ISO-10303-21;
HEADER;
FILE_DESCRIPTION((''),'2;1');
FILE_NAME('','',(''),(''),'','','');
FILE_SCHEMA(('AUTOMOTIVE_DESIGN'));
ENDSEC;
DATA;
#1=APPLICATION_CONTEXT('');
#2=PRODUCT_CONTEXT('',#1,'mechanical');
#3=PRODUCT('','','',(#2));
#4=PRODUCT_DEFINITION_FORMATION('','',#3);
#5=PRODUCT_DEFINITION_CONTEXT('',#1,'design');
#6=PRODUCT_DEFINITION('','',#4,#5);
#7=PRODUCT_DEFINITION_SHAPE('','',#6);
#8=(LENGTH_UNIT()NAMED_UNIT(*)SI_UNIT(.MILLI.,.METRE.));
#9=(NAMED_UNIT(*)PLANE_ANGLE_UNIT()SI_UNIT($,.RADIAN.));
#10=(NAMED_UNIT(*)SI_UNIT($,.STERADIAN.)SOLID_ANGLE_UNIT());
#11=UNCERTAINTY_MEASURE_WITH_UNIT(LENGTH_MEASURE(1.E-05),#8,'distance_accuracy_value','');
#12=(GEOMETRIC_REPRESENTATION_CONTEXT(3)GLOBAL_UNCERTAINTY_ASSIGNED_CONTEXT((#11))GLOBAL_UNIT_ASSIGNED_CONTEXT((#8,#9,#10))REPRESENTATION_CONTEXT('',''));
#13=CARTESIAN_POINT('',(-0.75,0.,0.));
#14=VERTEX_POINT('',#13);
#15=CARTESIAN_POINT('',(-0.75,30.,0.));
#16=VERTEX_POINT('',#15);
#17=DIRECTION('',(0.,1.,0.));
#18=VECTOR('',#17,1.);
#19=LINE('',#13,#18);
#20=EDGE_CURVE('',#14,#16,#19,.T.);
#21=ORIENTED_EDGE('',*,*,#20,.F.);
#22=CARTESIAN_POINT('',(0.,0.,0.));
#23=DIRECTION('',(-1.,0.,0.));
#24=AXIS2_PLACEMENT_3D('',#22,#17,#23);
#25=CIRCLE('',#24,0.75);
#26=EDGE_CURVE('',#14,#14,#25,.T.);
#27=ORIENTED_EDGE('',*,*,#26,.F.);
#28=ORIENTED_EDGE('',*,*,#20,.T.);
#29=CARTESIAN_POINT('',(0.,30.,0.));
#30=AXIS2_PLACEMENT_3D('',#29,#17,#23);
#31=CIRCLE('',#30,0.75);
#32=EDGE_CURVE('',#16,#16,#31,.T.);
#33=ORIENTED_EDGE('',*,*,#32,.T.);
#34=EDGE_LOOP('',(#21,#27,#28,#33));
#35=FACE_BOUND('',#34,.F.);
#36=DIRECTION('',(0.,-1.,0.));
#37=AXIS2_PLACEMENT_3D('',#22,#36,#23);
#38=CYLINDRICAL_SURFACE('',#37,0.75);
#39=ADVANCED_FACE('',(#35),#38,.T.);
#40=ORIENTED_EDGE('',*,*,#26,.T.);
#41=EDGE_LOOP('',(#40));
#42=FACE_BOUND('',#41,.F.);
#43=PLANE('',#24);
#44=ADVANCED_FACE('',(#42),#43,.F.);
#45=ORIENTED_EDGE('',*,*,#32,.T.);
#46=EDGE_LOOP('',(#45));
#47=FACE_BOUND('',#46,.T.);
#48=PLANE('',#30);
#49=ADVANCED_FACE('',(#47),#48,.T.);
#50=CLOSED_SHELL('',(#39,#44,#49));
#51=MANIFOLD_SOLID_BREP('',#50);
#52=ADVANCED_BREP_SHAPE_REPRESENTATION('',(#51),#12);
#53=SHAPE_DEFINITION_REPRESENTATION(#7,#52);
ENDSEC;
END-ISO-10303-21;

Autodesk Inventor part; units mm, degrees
ref_plane "YZ Plane" through (0, 0, 0) normal (1, 0, 0) x (0, 1, 0)
ref_plane "XZ Plane" through (0, 0, 0) normal (0, 1, 0) x (-1, 0, 0)
ref_plane "XY Plane" through (0, 0, 0) normal (0, 0, 1) x (1, 0, 0)
sketch "Sketch1" plane through (0, 0, 0) normal (0, 1, 0) x (-1, 0, 0)
  circle A0 centre (0, 0) radius 0.75
  dimension "d0" = 1.5
extrude "Extrusion1" add sketch "Sketch1" along normal blind 30
properties part number "Fiber"
